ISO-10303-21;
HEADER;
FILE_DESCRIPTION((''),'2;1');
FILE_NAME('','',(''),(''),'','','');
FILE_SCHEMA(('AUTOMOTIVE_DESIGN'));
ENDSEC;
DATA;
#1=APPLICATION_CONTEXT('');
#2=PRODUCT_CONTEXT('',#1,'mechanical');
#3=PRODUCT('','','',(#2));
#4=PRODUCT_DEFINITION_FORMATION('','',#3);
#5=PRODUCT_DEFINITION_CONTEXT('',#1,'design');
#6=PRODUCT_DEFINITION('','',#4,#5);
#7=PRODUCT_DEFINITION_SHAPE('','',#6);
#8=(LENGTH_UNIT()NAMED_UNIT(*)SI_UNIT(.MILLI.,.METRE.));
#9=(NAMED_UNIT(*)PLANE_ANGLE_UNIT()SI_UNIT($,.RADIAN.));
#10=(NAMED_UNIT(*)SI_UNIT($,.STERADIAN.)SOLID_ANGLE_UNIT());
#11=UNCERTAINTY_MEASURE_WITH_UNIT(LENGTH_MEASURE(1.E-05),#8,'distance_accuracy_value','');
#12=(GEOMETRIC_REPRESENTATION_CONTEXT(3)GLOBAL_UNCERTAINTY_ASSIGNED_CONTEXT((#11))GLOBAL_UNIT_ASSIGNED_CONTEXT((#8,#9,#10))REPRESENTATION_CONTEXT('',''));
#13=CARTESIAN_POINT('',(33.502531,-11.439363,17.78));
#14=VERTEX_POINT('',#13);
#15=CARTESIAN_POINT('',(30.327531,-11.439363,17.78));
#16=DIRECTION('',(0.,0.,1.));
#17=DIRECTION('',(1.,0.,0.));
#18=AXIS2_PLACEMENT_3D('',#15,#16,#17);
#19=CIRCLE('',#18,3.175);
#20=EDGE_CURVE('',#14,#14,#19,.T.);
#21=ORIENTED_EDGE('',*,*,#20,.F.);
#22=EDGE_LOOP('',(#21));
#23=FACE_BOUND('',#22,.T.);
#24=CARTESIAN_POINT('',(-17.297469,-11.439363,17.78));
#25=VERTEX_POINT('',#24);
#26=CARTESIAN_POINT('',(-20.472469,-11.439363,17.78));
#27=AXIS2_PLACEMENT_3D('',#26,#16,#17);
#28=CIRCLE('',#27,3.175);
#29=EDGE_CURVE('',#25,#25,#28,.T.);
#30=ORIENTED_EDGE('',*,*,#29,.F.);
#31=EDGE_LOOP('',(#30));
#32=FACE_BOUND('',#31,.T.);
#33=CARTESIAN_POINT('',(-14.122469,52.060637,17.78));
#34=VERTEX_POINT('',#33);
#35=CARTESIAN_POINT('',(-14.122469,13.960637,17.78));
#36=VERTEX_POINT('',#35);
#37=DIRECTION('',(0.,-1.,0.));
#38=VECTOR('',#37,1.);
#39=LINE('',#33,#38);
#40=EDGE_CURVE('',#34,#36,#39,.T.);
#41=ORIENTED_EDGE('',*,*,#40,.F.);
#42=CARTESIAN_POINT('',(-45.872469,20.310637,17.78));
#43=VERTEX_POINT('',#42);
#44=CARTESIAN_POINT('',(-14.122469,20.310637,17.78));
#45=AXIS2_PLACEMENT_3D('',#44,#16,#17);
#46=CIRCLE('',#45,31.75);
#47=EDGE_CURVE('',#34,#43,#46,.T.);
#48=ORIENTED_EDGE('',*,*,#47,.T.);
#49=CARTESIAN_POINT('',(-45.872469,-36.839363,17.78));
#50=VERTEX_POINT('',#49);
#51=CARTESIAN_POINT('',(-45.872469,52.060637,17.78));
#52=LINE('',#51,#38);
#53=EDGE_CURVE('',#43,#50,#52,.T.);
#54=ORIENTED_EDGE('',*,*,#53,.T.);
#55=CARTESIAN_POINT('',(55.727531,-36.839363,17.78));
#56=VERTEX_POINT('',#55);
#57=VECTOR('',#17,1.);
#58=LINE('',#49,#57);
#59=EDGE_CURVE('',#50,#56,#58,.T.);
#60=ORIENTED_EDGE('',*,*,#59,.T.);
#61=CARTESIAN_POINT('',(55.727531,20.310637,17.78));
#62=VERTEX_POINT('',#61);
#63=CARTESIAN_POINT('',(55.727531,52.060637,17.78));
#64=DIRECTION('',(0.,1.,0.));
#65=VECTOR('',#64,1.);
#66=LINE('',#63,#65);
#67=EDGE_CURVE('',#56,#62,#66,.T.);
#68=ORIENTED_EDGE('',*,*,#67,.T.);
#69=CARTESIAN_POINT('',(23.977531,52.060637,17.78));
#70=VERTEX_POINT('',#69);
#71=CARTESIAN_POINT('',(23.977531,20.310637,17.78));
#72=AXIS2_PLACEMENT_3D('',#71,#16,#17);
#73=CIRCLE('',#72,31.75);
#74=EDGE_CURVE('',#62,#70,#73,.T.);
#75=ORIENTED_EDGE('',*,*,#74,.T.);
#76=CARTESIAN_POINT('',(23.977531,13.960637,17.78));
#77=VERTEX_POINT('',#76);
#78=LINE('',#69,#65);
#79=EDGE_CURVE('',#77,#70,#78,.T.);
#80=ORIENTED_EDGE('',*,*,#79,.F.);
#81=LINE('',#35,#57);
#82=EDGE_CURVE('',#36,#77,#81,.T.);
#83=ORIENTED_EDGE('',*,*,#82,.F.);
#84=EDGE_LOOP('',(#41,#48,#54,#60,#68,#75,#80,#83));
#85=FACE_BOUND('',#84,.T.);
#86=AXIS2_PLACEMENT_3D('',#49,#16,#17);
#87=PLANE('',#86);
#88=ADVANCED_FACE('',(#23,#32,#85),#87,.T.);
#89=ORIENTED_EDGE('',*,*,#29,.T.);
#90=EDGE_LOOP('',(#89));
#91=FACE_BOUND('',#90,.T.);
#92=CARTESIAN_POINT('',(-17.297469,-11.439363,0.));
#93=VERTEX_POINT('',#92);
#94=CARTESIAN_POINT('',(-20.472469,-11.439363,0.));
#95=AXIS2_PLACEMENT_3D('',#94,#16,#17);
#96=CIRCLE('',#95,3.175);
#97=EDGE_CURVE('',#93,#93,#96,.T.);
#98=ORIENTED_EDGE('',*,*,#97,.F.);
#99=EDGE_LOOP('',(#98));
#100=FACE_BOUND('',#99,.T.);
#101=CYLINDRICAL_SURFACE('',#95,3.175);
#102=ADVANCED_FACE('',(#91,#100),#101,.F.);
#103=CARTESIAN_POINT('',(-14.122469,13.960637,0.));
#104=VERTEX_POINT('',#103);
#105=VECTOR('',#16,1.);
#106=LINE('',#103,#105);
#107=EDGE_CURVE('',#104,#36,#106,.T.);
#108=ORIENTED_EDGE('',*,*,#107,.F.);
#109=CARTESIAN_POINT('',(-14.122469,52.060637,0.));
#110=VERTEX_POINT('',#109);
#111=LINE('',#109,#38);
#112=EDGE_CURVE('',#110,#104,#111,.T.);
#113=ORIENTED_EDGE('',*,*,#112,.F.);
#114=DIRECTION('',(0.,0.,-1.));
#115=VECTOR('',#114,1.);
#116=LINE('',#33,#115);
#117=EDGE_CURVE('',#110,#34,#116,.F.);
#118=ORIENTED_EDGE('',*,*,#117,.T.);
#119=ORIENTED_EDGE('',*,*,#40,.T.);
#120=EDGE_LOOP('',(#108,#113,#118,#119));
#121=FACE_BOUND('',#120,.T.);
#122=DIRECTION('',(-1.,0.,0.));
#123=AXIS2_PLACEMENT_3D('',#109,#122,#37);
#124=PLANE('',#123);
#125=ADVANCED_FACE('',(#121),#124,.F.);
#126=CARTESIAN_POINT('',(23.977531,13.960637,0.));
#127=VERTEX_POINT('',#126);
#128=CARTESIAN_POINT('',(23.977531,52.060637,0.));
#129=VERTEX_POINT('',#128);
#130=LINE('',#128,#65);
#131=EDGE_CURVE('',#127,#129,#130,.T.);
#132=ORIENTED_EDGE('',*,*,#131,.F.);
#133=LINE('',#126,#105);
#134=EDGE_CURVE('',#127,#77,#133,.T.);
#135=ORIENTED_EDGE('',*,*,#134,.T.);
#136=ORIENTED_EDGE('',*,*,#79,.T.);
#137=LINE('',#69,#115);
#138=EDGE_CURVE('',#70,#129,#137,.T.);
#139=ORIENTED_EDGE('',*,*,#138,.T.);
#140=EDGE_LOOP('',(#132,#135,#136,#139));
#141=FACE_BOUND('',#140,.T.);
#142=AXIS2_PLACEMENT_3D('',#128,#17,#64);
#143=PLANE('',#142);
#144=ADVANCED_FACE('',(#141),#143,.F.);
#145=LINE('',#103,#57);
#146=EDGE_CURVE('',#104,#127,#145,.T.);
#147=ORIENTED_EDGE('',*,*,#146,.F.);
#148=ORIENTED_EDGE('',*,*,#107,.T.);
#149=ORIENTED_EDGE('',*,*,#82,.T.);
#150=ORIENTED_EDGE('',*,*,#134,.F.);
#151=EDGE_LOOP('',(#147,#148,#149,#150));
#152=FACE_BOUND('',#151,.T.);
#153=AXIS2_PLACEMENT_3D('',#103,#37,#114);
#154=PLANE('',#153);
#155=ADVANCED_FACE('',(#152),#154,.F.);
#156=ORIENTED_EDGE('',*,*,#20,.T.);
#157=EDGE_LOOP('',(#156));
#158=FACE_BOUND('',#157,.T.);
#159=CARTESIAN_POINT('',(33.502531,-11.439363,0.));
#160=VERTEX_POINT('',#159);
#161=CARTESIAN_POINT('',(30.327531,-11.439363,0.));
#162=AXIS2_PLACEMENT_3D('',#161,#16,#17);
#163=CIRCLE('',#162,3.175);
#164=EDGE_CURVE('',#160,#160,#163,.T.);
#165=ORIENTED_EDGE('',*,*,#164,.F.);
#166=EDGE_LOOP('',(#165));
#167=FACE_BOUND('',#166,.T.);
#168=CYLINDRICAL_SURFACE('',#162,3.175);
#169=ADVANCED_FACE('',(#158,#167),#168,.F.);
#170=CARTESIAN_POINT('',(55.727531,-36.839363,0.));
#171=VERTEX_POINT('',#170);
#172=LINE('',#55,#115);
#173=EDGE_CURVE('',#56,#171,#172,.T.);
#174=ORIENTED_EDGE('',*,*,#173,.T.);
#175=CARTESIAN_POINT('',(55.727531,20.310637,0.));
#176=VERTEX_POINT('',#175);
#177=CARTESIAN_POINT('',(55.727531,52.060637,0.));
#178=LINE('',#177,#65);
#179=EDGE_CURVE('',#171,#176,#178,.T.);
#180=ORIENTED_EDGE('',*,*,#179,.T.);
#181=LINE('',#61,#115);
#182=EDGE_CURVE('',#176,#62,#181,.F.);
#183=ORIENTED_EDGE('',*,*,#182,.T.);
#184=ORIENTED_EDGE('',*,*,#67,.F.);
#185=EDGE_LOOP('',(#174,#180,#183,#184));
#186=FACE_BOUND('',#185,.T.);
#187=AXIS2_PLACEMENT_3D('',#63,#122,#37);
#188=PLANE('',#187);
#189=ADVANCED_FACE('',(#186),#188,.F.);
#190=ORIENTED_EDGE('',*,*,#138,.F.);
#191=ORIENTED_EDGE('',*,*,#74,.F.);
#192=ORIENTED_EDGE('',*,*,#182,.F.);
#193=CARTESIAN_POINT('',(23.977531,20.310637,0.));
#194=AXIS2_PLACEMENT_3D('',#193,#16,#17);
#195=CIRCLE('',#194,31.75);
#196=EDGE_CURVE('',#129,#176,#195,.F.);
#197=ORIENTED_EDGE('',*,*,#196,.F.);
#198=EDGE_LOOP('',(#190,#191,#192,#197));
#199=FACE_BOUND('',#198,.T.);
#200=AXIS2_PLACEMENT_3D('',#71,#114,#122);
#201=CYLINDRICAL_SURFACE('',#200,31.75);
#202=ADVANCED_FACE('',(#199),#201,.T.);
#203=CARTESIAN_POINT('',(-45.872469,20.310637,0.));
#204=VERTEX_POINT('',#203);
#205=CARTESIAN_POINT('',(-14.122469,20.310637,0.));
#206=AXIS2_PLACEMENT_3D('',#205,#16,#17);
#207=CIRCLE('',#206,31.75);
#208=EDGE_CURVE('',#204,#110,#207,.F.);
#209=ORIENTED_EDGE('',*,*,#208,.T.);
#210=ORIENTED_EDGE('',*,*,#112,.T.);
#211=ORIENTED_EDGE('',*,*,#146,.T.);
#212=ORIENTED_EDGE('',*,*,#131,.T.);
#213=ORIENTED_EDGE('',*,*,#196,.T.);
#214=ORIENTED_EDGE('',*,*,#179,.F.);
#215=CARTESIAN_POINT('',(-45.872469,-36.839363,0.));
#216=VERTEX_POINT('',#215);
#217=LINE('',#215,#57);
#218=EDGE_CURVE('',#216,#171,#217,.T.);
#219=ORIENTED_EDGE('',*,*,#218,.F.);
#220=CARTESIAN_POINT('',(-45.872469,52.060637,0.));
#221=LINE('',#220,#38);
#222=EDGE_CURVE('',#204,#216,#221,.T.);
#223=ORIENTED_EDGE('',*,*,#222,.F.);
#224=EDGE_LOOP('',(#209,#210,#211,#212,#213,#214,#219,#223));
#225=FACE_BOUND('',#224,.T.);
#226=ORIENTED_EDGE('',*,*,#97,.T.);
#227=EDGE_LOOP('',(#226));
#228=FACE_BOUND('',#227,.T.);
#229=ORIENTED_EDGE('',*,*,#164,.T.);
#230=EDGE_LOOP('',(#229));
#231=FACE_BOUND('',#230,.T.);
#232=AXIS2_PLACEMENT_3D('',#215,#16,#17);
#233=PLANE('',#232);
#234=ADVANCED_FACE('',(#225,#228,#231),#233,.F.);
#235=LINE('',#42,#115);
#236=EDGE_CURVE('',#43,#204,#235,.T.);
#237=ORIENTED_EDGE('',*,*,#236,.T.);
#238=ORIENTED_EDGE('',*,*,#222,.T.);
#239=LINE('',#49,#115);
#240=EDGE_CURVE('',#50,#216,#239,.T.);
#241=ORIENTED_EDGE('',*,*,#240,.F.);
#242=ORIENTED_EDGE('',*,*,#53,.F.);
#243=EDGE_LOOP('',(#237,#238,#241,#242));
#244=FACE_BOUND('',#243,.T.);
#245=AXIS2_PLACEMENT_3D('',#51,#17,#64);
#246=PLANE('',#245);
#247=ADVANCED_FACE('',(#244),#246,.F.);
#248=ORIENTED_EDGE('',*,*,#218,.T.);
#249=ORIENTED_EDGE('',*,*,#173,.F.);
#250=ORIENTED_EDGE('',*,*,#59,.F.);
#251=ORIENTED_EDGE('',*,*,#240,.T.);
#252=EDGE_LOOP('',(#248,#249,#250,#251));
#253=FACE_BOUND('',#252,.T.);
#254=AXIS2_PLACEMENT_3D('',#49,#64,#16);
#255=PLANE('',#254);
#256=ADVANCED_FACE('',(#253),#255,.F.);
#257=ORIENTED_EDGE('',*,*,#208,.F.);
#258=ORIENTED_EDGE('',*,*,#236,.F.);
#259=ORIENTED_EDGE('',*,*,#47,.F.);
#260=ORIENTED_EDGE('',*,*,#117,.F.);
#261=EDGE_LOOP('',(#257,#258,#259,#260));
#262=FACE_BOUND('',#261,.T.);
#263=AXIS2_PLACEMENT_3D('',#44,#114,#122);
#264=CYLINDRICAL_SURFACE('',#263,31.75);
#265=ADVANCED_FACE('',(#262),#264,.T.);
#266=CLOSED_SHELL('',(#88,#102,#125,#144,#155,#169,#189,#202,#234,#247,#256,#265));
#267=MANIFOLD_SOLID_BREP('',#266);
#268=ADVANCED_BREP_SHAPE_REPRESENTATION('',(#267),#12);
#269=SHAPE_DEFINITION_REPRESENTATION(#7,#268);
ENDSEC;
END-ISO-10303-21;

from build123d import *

# Parameters (mm, degrees)
SKETCH1_W           = 101.6
SKETCH1_H           = 88.9
BOSS_EXTRUDE1_DEPTH = 17.78
SKETCH2_R           = 3.175
CUT_EXTRUDE1_DEPTH  = 18.78
FILLET1_R           = 31.75
SKETCH3_W           = 38.1
SKETCH3_H           = 38.1
CUT_EXTRUDE2_DEPTH  = 18.78


with BuildPart() as part:
    # Sketch1 → Boss-Extrude1 (new body)
    with BuildSketch(Plane.XY):
        with Locations((4.927530561, 7.6106367)):
            Rectangle(SKETCH1_W, SKETCH1_H)
    extrude(amount=BOSS_EXTRUDE1_DEPTH)

    # Sketch2 → Cut-Extrude1 (cut, through all)
    with BuildSketch(Plane.XY.offset(17.78)):
        with Locations((-20.472469439, -11.4393633)):
            Circle(SKETCH2_R)
        with Locations((30.327530561, -11.4393633)):
            Circle(SKETCH2_R)
    extrude(amount=-CUT_EXTRUDE1_DEPTH, mode=Mode.SUBTRACT)

    # Fillet1
    fillet1_edges = [part.edges().sort_by_distance(p)[0] for p in [
        (-45.872469439, 52.0606367, 8.89),
        (55.727530561, 52.0606367, 8.89),
    ]]
    fillet(fillet1_edges, radius=FILLET1_R)

    # Sketch3 → Cut-Extrude2 (cut, through all)
    with BuildSketch(Plane.XY.offset(17.78)):
        with Locations((4.927530561, 33.0106367)):
            Rectangle(SKETCH3_W, SKETCH3_H)
    extrude(amount=-CUT_EXTRUDE2_DEPTH, mode=Mode.SUBTRACT)


solid = part.part
